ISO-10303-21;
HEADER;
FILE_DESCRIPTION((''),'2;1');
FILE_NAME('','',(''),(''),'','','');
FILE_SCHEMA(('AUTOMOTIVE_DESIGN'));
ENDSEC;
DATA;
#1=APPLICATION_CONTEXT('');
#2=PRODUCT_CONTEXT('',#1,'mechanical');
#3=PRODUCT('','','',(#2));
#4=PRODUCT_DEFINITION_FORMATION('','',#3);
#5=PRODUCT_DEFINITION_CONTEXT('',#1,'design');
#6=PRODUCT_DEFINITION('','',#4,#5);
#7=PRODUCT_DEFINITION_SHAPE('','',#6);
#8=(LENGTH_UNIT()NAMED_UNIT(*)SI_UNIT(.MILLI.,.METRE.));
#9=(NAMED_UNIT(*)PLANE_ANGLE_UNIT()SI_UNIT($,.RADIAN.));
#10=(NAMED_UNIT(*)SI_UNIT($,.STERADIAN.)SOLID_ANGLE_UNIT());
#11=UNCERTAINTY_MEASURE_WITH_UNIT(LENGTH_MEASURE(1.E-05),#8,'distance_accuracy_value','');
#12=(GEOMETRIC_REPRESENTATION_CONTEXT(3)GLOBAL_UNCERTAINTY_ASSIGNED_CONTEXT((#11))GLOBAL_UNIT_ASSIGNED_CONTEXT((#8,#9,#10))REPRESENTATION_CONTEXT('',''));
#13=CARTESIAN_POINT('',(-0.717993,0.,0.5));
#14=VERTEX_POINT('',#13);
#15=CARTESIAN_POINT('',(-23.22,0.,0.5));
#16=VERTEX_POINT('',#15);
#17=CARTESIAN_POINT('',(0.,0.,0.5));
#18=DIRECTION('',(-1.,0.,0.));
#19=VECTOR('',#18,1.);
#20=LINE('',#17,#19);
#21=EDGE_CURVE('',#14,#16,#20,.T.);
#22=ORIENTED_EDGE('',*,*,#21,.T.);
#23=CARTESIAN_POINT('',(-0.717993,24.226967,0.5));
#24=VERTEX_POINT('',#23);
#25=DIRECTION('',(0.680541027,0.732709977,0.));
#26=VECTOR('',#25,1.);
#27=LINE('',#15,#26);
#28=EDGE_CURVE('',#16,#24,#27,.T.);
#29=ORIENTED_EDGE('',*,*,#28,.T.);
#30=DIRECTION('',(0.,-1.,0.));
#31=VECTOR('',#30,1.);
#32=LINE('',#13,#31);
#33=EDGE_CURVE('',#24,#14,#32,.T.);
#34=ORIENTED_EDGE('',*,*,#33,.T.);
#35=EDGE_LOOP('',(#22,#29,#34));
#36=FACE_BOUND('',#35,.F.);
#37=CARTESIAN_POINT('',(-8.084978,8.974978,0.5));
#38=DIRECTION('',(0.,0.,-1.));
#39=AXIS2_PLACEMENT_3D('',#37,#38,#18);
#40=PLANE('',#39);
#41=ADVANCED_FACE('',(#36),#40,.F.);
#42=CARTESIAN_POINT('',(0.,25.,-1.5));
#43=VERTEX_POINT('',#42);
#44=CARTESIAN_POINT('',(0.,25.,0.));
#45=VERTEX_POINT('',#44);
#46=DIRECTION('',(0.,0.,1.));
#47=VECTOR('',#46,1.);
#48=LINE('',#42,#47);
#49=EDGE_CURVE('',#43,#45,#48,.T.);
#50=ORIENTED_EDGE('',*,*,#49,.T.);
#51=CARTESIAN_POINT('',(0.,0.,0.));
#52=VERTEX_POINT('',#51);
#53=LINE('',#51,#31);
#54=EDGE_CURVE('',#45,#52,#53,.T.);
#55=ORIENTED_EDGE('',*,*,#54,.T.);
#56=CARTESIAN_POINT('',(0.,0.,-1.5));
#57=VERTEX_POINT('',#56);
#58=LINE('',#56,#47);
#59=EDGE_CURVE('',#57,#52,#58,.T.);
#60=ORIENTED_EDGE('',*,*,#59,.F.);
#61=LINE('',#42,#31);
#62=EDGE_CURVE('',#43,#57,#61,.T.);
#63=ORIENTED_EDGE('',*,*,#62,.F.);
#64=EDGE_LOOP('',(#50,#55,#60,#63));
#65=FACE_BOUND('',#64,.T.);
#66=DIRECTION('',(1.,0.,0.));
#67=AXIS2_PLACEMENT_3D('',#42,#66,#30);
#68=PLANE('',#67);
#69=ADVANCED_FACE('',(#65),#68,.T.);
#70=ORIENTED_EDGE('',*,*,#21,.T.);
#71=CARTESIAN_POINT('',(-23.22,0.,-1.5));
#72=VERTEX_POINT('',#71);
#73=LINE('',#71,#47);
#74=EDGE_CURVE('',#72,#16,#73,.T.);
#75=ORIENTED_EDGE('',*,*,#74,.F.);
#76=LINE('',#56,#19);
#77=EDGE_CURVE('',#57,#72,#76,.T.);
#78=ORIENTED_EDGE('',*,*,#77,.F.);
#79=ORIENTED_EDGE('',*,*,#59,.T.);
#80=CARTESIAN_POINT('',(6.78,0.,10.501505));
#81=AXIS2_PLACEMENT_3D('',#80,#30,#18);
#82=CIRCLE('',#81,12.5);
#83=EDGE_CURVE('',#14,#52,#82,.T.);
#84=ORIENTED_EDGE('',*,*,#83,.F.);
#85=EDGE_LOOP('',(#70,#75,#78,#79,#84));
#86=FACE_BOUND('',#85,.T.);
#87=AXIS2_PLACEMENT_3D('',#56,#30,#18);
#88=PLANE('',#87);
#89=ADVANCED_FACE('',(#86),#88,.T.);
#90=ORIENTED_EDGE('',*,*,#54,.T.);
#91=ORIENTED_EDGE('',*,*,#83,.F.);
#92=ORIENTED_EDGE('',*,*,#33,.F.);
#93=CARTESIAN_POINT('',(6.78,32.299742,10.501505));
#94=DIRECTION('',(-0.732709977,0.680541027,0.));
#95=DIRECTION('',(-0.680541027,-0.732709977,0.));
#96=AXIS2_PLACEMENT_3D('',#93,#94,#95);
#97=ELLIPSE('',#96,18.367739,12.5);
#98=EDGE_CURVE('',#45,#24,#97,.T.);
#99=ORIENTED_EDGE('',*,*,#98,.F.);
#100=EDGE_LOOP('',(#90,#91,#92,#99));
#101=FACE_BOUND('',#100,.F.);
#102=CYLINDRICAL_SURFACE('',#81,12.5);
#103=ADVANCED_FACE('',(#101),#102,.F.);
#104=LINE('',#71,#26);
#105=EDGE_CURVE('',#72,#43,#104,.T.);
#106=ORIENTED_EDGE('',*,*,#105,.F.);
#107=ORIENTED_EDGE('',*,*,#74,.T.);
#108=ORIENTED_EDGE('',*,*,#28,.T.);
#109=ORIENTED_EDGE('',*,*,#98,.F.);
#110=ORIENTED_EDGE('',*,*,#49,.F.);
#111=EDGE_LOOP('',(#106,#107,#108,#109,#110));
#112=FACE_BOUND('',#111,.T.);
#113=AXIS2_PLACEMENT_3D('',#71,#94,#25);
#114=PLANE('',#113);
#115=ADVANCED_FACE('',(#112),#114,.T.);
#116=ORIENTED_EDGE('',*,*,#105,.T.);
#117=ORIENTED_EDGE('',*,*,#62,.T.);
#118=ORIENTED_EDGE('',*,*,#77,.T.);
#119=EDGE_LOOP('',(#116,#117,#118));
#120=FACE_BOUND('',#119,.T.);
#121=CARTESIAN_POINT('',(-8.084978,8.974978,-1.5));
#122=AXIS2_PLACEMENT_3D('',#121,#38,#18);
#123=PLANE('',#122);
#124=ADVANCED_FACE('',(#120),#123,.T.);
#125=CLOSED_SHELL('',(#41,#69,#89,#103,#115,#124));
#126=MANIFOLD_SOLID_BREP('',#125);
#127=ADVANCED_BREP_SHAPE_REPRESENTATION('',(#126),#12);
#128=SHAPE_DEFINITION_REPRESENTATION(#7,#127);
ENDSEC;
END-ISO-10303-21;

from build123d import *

# Parameters (mm, degrees)
DODANIE_WYCI_GNI_CIE1_DEPTH = 2
SZKIC2_R                    = 12.5
WYTNIJ_WYCI_GNI_CIE1_DEPTH  = 25


with BuildPart() as part:
    # Szkic1 → Dodanie-wyciągnięcie1 (new body)
    with BuildSketch(Plane(origin=(0, 0, -1.5), x_dir=(-1, 0, 0), z_dir=(0, 0, -1))):
        Polygon((23.22, 0), (0, 25), (0, 0), align=None)
    extrude(amount=-DODANIE_WYCI_GNI_CIE1_DEPTH)

    # Szkic2 → Wytnij-wyciągnięcie1 (cut)
    with BuildSketch(Plane(origin=(0, 0, 0), x_dir=(-1, 0, 0), z_dir=(0, -1, 0))):
        with Locations((-6.78, -10.501504654)):
            Circle(SZKIC2_R)
    extrude(amount=-WYTNIJ_WYCI_GNI_CIE1_DEPTH, mode=Mode.SUBTRACT)


solid = part.part
